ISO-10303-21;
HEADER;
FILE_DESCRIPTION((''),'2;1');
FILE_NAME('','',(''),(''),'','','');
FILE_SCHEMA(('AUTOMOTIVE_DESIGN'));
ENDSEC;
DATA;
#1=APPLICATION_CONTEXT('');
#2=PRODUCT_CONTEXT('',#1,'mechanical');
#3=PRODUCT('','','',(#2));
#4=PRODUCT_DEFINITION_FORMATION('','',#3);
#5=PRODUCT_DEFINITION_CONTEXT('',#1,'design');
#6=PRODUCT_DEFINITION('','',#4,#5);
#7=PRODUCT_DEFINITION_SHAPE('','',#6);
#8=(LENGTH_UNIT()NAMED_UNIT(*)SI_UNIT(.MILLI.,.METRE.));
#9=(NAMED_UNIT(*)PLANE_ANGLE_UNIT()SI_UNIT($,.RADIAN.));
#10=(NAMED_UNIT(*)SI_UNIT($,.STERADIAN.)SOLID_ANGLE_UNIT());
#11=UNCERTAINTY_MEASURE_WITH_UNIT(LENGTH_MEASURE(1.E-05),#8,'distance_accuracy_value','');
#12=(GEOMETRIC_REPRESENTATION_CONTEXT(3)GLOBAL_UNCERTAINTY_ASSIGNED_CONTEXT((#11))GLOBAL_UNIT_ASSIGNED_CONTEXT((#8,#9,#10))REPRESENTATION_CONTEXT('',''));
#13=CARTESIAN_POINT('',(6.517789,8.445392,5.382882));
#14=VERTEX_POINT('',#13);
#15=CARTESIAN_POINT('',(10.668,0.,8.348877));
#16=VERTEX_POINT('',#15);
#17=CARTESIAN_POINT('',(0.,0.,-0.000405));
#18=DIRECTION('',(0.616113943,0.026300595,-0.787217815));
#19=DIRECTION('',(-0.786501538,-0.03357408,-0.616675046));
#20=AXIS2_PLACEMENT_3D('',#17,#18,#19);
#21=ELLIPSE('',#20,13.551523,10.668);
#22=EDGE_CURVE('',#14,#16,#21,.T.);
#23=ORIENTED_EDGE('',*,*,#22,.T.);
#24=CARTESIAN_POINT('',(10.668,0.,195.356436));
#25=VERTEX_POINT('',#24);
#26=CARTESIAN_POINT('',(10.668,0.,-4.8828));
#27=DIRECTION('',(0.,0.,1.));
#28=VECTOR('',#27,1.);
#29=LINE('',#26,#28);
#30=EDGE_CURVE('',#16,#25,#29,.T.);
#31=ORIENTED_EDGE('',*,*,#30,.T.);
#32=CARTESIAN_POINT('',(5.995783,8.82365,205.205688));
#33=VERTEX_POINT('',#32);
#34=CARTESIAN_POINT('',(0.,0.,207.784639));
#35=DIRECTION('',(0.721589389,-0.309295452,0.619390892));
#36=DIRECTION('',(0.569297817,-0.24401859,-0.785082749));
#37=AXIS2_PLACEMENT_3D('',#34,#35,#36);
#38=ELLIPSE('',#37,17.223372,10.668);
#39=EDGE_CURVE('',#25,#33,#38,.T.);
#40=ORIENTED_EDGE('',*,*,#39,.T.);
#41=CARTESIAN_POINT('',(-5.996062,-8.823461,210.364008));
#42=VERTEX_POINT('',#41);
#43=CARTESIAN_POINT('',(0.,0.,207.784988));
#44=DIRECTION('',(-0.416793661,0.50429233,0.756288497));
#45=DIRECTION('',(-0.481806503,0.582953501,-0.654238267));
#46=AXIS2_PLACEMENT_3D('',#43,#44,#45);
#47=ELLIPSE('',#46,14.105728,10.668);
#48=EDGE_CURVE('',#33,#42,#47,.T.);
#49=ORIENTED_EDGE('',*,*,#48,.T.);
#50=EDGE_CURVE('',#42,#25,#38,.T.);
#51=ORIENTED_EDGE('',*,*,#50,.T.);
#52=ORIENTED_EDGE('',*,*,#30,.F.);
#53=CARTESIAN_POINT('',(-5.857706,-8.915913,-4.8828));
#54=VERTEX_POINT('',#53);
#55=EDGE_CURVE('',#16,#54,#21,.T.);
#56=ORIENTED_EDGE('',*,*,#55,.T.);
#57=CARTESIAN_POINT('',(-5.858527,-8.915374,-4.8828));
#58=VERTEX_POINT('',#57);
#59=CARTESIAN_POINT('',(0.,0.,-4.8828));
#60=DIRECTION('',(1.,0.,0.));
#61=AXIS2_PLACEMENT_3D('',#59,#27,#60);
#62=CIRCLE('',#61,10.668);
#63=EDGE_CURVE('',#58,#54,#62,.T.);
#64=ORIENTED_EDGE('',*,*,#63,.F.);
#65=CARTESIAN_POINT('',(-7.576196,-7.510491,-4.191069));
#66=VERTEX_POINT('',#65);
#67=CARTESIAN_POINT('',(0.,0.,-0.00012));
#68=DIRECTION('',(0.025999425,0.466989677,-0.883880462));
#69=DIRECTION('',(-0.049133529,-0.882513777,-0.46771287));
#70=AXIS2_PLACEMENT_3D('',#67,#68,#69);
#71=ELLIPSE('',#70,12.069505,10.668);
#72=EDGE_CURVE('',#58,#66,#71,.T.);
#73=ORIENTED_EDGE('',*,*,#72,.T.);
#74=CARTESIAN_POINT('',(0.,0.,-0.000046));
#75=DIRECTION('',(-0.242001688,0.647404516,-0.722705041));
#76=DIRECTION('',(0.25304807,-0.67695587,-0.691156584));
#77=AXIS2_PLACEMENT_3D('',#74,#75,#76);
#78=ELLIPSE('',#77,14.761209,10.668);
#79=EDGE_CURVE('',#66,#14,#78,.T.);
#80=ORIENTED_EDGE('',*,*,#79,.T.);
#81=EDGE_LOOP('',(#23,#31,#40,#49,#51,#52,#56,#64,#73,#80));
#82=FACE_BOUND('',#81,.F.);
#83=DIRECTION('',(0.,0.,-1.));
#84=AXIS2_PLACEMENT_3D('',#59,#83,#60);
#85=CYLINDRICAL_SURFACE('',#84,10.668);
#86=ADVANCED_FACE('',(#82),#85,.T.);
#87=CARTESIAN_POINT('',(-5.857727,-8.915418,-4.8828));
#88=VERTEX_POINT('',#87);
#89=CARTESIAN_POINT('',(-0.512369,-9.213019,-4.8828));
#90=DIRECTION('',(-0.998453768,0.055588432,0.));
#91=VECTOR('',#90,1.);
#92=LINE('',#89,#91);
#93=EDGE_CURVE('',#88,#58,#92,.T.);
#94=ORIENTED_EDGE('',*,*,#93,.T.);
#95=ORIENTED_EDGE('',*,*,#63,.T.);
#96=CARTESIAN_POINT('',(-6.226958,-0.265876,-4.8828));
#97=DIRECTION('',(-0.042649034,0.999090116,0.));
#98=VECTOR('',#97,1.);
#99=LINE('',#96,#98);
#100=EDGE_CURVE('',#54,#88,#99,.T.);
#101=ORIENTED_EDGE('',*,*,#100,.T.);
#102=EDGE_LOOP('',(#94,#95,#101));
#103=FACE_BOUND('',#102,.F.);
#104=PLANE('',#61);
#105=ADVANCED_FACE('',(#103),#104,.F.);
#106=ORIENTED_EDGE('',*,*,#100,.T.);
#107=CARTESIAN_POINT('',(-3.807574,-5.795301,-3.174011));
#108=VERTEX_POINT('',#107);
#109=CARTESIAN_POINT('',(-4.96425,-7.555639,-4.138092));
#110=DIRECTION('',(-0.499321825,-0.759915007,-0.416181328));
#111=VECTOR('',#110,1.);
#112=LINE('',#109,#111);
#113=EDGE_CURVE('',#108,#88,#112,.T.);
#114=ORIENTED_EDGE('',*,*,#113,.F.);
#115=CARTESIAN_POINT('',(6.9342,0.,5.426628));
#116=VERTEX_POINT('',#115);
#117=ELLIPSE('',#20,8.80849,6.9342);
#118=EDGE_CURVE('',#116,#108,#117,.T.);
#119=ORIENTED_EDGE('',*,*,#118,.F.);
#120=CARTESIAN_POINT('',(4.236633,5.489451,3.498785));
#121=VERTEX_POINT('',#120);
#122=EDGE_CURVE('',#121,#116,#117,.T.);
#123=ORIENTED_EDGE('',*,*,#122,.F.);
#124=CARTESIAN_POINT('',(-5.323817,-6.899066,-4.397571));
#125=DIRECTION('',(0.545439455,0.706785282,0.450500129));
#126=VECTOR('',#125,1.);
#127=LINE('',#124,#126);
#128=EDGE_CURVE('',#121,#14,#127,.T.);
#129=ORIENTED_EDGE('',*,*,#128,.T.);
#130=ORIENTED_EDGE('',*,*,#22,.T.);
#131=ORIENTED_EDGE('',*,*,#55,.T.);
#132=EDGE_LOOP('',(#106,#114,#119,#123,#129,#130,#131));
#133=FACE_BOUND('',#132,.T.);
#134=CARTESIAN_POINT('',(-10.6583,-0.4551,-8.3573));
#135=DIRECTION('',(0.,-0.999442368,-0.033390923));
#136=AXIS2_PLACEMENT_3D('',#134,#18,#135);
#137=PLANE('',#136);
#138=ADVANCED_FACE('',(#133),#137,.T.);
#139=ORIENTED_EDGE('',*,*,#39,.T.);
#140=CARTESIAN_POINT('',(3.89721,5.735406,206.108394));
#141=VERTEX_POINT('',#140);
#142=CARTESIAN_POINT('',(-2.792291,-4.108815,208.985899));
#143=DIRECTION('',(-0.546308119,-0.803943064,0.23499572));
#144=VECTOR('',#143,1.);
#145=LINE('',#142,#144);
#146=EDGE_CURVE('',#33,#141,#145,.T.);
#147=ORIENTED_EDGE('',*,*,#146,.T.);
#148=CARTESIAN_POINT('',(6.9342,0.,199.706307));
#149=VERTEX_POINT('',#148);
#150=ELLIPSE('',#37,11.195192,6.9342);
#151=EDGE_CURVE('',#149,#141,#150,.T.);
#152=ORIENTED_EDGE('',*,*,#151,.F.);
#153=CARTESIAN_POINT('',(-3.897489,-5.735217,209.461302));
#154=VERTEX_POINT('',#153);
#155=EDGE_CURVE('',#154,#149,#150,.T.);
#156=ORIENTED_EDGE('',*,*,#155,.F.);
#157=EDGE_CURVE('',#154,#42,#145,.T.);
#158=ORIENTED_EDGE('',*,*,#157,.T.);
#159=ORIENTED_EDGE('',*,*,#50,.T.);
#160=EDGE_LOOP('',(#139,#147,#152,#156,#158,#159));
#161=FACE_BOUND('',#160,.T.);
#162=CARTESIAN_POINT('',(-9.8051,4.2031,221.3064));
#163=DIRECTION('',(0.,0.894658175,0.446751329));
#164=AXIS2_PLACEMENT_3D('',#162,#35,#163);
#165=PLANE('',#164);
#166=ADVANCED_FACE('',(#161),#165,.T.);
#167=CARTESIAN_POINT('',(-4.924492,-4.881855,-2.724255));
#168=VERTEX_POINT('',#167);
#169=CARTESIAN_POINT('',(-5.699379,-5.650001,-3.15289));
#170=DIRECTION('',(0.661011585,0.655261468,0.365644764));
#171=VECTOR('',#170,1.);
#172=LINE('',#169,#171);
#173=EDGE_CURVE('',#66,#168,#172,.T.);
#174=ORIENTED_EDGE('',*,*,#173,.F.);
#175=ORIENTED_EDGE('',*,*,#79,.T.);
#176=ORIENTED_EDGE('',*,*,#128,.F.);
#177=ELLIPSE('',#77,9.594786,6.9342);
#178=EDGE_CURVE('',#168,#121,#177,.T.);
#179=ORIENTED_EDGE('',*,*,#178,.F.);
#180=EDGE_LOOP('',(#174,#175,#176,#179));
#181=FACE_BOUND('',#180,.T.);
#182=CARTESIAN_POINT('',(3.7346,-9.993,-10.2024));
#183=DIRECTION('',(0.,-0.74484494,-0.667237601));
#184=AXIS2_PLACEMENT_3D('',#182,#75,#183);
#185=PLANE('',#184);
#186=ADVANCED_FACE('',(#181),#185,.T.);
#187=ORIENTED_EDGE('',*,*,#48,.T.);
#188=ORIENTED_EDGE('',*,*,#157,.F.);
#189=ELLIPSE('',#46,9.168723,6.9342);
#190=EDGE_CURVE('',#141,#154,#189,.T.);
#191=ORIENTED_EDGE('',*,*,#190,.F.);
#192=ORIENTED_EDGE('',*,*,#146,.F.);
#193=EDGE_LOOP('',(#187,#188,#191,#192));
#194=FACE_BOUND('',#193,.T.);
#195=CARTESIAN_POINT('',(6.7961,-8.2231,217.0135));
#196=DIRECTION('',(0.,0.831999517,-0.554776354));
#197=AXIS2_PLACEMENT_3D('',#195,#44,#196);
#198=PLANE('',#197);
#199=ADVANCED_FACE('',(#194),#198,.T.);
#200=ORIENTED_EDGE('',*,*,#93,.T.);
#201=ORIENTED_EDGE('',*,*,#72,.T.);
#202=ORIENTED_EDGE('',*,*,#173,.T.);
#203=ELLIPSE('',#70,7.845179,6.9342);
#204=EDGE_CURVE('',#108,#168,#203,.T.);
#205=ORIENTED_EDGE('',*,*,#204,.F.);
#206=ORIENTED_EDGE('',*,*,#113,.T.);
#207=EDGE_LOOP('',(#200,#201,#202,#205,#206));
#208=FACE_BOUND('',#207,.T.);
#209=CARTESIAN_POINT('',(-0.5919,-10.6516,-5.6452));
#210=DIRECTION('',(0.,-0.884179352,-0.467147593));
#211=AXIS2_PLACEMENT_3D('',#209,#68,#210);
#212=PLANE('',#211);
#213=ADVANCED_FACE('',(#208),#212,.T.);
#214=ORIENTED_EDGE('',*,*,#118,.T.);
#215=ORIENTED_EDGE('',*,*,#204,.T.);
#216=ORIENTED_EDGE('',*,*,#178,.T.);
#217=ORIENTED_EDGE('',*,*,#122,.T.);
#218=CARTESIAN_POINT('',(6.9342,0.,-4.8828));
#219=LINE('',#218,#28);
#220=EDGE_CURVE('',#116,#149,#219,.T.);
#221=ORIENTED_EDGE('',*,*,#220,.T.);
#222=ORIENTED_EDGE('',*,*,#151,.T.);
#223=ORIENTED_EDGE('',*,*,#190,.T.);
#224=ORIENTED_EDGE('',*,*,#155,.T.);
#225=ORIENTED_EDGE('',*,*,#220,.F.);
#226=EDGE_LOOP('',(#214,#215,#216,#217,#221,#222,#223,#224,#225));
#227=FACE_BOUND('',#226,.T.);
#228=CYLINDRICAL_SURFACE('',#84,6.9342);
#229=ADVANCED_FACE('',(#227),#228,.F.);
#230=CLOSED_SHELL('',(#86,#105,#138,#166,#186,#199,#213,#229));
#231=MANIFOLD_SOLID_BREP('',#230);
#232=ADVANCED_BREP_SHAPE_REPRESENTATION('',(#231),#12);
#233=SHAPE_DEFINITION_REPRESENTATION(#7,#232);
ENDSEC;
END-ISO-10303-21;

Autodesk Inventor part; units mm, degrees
ref_plane "Start Plane" through (0, 0, -4.8828) normal (0, 0, 1) x (1, 0, 0)
ref_plane "End Plane" through (0, 0, 210.3644) normal (0, 0, 1) x (1, 0, 0)
sketch "Sketch" plane through (0, 0, 0) normal (0, 0, 1) x (1, 0, 0)
  circle A0 centre (0, 0) radius 6.9342
  circle A1 centre (0, 0) radius 10.668
  dimension "d0" = 21.336
  dimension "d1" = 3.7338
extrude "Body" add sketch "Sketch" along normal up to surface (215.2472 mm away) from surface at -4.8828
sketch "Sketch3" plane through (0, 0, 0) normal (0, 0, 1) x (1, 0, 0)
  line L0 (0, 0) -> (10, 0)
ref_plane "Work Plane3" through (0, 0, 0) normal (0, -1, 0) x (1, 0, 0)
sketch "Sketch4" plane through (0, 0, 0) normal (0, -1, 0) x (1, 0, 0)
  line L0 (-2, -4.8828) -> (12, -4.8828)
  line L1 (-2, 210.3644) -> (12, 210.3644)
  dimension "d7" = 215.2472
ref_plane "Work Plane4" through (-9.8051, 4.2031, 221.3064) normal (0.7216, -0.3093, 0.6194) x (0.6785, 0.1378, -0.7216)
split "Split1" plane through (-9.8051, 4.2031, 221.3064) removes the side toward (0.7216, -0.3093, 0.6194)
ref_plane "Work Plane5" through (6.7961, -8.2231, 217.0135) normal (-0.4168, 0.5043, 0.7563) x (0.9011, 0.1197, 0.4168)
split "Split2" plane through (6.7961, -8.2231, 217.0135) removes the side toward (-0.4168, 0.5043, 0.7563)
ref_plane "Work Plane6" through (-0.5919, -10.6516, -5.6452) normal (0.026, 0.467, -0.8839) x (0.9942, -0.1044, -0.026)
split "Split3" plane through (-0.5919, -10.6516, -5.6452) removes the side toward (0.026, 0.467, -0.8839)
ref_plane "Work Plane7" through (-10.6583, -0.4551, -8.3573) normal (0.6161, 0.0263, -0.7872) x (-0.7839, -0.0762, -0.6161)
split "Split4" plane through (-10.6583, -0.4551, -8.3573) removes the side toward (0.6161, 0.0263, -0.7872)
ref_plane "Work Plane8" through (3.7346, -9.993, -10.2024) normal (-0.242, 0.6474, -0.7227) x (0.7889, 0.5649, 0.242)
split "Split5" plane through (3.7346, -9.993, -10.2024) removes the side toward (-0.242, 0.6474, -0.7227)
equation "\"d0\" = G_H"
equation "\"d1\" = G_T"
equation "\"d2\" = G_L"
equation "\"G_H\" = 21.336"
equation "\"G_T\" = 3.7338"
equation "\"G_L\" = 215.24718"
equation "\"G_OFFSET_START\" = 4.88279"
equation "\"G_OFFSET_END\" = 2.57893"
equation "\"d4\" = -G_OFFSET_START"
equation "\"d5\" = G_OFFSET_END + B_L"
equation "\"B_L\" = 207.78546"
properties part number "ANSI - 1/2 x 0.147 - 8.474" material "Steel, Mild"
